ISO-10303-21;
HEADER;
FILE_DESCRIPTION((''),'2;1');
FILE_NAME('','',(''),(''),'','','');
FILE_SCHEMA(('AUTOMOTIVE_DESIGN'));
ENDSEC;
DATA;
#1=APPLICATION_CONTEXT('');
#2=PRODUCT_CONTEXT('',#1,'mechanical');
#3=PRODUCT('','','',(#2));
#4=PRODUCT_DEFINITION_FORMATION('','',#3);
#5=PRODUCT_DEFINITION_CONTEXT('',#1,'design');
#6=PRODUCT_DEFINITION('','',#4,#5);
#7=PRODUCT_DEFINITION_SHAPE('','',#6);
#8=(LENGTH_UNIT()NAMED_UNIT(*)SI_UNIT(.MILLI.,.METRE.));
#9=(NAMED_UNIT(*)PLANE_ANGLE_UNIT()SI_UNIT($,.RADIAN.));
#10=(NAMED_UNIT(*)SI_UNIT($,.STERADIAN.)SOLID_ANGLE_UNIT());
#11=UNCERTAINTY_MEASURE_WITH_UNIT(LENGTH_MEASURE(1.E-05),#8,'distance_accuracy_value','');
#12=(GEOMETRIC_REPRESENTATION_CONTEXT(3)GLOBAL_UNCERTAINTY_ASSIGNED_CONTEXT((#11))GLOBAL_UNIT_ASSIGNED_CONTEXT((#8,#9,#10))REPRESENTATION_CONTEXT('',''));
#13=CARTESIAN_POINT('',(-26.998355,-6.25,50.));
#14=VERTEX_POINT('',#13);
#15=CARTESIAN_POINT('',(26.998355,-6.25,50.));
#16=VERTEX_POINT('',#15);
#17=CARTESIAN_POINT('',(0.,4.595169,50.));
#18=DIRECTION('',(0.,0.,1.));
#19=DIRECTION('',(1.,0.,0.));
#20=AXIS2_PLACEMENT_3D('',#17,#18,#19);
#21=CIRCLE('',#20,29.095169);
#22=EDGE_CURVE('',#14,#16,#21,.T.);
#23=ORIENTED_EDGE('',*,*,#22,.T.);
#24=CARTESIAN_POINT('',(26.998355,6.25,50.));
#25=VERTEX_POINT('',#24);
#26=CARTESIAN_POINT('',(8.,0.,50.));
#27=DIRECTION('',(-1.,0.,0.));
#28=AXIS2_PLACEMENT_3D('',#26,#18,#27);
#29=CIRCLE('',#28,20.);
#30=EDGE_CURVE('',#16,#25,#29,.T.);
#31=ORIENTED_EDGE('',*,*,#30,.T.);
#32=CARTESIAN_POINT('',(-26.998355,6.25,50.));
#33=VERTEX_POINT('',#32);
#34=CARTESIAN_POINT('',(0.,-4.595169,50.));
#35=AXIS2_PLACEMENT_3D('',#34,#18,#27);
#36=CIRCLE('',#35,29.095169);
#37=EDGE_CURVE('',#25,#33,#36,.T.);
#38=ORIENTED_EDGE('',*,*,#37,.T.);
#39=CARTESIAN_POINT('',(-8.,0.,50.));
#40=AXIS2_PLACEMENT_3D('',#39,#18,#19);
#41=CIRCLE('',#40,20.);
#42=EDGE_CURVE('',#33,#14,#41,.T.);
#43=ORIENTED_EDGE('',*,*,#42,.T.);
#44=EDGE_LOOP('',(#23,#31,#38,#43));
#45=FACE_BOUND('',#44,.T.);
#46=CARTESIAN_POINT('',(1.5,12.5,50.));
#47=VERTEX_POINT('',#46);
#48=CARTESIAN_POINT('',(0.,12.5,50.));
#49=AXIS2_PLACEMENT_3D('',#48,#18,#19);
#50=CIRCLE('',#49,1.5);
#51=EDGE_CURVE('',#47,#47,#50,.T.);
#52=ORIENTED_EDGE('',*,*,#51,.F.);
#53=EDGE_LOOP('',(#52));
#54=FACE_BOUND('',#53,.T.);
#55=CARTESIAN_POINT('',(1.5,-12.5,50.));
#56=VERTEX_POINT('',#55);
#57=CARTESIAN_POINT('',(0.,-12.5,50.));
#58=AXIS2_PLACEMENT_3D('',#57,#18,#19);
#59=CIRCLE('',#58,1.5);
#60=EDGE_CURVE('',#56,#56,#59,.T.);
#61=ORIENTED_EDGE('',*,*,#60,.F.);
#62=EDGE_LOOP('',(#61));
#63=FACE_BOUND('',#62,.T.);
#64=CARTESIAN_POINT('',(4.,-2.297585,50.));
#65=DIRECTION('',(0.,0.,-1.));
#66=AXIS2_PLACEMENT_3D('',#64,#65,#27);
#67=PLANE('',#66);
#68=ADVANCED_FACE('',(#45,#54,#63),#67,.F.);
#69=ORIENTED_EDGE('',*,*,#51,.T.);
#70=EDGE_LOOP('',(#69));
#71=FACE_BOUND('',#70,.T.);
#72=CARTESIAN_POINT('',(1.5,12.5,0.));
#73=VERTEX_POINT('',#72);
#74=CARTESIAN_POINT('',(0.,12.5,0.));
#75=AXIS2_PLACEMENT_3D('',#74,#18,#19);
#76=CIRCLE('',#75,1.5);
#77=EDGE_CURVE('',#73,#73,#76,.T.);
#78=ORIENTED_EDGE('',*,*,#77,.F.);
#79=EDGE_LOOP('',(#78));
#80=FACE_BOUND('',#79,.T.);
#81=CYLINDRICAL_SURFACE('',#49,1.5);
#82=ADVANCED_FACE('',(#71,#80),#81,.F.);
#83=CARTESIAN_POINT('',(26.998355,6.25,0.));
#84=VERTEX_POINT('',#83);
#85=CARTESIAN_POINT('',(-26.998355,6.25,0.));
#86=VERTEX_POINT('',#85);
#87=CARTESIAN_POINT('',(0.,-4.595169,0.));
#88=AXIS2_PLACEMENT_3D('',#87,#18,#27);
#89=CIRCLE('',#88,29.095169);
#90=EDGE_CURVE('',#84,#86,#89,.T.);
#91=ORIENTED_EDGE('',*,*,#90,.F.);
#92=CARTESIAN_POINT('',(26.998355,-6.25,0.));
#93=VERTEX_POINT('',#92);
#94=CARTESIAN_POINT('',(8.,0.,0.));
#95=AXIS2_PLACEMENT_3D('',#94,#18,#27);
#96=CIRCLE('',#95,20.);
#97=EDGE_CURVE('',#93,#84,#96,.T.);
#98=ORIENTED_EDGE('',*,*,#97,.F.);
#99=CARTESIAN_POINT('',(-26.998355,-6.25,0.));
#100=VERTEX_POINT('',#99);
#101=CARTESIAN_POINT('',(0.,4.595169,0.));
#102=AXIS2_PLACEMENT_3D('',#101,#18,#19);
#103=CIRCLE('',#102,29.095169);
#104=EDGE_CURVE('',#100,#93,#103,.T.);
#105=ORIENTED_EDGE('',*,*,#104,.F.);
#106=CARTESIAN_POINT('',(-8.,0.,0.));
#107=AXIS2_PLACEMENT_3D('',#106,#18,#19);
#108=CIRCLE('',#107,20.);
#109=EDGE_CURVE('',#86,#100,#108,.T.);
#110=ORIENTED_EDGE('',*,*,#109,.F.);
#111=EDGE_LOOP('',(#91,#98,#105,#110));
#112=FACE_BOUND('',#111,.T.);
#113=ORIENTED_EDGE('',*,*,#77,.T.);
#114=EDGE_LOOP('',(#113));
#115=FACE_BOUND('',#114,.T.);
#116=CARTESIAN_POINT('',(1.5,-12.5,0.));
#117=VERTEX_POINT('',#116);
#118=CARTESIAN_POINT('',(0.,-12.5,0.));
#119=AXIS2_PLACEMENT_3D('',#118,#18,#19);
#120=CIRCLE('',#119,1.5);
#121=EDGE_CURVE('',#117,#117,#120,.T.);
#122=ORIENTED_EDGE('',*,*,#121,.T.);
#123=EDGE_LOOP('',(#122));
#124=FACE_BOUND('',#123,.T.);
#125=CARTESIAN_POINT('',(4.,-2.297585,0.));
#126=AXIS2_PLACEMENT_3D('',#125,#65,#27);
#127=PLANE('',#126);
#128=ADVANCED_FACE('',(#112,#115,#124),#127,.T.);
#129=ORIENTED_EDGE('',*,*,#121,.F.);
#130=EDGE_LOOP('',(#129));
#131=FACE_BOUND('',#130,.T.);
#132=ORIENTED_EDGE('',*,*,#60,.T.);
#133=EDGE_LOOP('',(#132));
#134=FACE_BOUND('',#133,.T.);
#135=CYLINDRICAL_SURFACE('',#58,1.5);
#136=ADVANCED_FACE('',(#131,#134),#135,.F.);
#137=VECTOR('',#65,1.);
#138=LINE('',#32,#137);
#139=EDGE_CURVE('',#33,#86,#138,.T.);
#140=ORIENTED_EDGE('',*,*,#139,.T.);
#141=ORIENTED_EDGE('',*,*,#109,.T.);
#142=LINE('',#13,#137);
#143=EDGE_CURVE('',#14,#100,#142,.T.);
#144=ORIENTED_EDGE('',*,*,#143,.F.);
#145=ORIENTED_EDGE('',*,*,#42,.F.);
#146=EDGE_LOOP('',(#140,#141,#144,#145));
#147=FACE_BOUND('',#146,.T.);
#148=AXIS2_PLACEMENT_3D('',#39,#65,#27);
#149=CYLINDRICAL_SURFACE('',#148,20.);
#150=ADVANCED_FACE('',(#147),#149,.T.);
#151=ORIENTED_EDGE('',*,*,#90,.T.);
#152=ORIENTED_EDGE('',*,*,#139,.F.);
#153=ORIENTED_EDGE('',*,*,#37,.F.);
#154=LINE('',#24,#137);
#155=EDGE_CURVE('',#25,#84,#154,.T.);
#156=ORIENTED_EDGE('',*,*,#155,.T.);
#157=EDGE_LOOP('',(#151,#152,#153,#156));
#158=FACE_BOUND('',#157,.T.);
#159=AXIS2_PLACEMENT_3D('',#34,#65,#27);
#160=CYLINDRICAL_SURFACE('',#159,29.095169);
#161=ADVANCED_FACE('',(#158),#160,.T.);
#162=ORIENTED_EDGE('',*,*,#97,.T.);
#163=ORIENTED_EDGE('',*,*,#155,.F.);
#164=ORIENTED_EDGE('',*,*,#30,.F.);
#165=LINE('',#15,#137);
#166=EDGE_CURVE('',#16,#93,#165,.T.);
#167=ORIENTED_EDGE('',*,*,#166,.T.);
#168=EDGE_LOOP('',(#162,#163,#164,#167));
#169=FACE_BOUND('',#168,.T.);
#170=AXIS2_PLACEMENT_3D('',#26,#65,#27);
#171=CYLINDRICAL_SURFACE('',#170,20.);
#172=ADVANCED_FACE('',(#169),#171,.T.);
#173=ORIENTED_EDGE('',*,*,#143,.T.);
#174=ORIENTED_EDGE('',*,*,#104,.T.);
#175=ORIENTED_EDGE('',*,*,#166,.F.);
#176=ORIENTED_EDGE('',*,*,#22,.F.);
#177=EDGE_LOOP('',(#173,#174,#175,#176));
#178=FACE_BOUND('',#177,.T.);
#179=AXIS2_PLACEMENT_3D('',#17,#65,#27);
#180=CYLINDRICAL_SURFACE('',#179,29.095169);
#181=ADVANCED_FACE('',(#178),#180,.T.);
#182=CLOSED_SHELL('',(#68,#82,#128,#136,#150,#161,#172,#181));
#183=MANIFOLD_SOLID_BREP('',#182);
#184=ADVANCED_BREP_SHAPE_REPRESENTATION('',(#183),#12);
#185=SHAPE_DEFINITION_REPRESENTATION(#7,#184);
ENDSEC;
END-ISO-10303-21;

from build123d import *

# Parameters (mm, degrees)
BOSS_EXTRU_1_DEPTH            = 50
DIAM_TRE_DU_PER_AGE_3_0_3_1_D = 3


with BuildPart() as part:
    # Esquisse1 → Boss.-Extru.1 (new body)
    with BuildSketch(Plane.XY):
        with BuildLine():
            ThreePointArc((-26.998355192, 6.25), (-28, 0), (-26.998355192, -6.25))
            ThreePointArc((-26.998355192, -6.25), (0, -24.5), (26.998355192, -6.25))
            ThreePointArc((26.998355192, -6.25), (28, 0), (26.998355192, 6.25))
            ThreePointArc((26.998355192, 6.25), (0, 24.5), (-26.998355192, 6.25))
        make_face()
    extrude(amount=BOSS_EXTRU_1_DEPTH)

    # Diamètre du perçage Ø3.0 (3)1 (through all)
    with Locations(Plane.XY.offset(50)):
        with Locations((0, 12.5), (0, -12.5)):
            Hole(DIAM_TRE_DU_PER_AGE_3_0_3_1_D / 2)


solid = part.part
